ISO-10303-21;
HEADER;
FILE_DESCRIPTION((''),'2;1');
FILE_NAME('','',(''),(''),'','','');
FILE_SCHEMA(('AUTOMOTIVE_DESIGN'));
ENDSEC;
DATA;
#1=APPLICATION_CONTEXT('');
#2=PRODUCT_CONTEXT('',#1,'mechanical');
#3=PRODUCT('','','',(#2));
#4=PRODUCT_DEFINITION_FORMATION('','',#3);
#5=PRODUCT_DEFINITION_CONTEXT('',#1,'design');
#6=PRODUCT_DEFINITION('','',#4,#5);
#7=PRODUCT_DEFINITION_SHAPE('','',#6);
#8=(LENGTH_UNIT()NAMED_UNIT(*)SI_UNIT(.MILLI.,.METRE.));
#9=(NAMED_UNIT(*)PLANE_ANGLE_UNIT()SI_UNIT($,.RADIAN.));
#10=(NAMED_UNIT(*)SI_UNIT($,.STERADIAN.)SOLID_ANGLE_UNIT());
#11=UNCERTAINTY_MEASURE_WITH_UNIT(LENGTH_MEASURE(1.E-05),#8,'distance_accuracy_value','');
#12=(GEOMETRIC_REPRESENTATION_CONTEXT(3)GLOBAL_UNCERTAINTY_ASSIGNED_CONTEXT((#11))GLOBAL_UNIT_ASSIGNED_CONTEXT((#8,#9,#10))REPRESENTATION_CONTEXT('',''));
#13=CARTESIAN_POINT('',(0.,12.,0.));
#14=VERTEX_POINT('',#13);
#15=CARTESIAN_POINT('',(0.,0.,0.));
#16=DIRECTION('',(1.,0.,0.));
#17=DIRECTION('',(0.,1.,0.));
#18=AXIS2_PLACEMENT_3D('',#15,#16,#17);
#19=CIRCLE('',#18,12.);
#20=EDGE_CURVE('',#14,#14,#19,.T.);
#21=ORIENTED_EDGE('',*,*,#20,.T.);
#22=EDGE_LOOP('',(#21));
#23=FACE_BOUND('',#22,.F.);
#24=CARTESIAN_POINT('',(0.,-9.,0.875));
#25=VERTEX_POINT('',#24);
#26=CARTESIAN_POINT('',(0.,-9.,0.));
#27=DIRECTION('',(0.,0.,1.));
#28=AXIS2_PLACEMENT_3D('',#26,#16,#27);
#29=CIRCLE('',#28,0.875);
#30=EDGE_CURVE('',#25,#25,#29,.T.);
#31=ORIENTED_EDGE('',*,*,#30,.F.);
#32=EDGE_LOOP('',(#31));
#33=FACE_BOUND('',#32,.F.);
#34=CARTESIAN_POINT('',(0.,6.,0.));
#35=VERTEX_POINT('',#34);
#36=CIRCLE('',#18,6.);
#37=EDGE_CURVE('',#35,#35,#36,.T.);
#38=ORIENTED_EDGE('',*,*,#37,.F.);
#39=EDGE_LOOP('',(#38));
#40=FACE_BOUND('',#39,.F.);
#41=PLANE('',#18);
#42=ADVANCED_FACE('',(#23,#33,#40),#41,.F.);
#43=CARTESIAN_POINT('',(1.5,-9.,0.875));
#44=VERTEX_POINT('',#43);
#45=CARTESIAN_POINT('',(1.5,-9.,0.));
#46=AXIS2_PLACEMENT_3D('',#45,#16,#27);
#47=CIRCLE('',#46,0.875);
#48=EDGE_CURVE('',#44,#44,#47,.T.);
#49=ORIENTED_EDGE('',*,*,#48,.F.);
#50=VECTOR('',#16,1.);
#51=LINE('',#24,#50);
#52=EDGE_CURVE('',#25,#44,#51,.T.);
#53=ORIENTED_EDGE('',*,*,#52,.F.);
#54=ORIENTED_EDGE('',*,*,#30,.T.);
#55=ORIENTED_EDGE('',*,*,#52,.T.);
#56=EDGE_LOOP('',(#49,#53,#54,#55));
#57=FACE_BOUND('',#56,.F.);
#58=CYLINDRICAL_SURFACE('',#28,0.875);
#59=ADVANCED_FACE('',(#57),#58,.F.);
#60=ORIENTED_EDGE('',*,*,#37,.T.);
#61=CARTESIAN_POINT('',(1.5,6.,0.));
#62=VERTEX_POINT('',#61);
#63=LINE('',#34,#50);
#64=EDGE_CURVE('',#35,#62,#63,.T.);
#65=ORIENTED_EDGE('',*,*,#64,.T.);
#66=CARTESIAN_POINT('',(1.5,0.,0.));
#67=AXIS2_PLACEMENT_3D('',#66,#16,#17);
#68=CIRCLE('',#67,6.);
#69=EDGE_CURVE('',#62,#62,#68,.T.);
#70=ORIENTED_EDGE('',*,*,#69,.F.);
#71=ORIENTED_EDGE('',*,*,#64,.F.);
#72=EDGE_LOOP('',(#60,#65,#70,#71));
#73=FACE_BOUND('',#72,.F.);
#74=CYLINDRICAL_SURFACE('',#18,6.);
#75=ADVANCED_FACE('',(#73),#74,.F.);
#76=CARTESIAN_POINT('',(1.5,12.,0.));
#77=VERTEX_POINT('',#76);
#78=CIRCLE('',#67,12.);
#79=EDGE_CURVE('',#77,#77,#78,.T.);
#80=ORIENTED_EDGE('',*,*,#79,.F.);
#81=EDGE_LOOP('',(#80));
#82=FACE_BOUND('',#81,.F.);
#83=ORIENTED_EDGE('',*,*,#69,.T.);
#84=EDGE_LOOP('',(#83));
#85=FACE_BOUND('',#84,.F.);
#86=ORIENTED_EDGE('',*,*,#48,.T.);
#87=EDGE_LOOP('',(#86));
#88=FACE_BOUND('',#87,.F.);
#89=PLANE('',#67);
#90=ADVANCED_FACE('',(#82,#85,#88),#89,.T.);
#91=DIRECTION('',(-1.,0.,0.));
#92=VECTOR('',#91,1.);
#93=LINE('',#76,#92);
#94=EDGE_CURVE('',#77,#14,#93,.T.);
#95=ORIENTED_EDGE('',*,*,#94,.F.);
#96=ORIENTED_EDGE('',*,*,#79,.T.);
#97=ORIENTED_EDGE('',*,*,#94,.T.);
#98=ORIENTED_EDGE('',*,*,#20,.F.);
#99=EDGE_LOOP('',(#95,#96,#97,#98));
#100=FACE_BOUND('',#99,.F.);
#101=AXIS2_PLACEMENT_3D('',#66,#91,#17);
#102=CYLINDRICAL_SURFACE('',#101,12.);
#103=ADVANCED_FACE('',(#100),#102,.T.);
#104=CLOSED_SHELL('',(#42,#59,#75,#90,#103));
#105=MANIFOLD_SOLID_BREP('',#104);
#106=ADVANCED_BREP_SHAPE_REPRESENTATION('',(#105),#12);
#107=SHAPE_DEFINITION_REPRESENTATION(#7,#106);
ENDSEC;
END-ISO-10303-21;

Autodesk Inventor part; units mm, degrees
ref_plane "YZ Plane" through (0, 0, 0) normal (1, 0, 0) x (0, 1, 0)
ref_plane "XZ Plane" through (0, 0, 0) normal (0, 1, 0) x (-1, 0, 0)
ref_plane "XY Plane" through (0, 0, 0) normal (0, 0, 1) x (1, 0, 0)
sketch "Sketch_1" plane through (0, 0, 0) normal (0, 0, 1) x (1, 0, 0)
  line L0 (1.5, 0) -> (-1.5, 0)
  line L1 (0, 12) -> (0, 6)
  line L2 (0, 6) -> (1.5, 6)
  line L3 (1.5, 6) -> (1.5, 12)
  line L4 (1.5, 12) -> (0, 12)
revolve "Revolution1" add sketch "Sketch_1" angle 360 about axis through (1.5, 0, 0) along (1, 0, 0)
sketch "Sketch2" plane through (0, 0, 0) normal (-1, 0, 0) x (0, 0, 1)
  point P0 (0, -9)
hole "Hole1" at (0, -9, 0) direction (1, 0, 0) diameter 1.75 depth 1.5
properties part number "SKF_PCMW 122401.5 E"
